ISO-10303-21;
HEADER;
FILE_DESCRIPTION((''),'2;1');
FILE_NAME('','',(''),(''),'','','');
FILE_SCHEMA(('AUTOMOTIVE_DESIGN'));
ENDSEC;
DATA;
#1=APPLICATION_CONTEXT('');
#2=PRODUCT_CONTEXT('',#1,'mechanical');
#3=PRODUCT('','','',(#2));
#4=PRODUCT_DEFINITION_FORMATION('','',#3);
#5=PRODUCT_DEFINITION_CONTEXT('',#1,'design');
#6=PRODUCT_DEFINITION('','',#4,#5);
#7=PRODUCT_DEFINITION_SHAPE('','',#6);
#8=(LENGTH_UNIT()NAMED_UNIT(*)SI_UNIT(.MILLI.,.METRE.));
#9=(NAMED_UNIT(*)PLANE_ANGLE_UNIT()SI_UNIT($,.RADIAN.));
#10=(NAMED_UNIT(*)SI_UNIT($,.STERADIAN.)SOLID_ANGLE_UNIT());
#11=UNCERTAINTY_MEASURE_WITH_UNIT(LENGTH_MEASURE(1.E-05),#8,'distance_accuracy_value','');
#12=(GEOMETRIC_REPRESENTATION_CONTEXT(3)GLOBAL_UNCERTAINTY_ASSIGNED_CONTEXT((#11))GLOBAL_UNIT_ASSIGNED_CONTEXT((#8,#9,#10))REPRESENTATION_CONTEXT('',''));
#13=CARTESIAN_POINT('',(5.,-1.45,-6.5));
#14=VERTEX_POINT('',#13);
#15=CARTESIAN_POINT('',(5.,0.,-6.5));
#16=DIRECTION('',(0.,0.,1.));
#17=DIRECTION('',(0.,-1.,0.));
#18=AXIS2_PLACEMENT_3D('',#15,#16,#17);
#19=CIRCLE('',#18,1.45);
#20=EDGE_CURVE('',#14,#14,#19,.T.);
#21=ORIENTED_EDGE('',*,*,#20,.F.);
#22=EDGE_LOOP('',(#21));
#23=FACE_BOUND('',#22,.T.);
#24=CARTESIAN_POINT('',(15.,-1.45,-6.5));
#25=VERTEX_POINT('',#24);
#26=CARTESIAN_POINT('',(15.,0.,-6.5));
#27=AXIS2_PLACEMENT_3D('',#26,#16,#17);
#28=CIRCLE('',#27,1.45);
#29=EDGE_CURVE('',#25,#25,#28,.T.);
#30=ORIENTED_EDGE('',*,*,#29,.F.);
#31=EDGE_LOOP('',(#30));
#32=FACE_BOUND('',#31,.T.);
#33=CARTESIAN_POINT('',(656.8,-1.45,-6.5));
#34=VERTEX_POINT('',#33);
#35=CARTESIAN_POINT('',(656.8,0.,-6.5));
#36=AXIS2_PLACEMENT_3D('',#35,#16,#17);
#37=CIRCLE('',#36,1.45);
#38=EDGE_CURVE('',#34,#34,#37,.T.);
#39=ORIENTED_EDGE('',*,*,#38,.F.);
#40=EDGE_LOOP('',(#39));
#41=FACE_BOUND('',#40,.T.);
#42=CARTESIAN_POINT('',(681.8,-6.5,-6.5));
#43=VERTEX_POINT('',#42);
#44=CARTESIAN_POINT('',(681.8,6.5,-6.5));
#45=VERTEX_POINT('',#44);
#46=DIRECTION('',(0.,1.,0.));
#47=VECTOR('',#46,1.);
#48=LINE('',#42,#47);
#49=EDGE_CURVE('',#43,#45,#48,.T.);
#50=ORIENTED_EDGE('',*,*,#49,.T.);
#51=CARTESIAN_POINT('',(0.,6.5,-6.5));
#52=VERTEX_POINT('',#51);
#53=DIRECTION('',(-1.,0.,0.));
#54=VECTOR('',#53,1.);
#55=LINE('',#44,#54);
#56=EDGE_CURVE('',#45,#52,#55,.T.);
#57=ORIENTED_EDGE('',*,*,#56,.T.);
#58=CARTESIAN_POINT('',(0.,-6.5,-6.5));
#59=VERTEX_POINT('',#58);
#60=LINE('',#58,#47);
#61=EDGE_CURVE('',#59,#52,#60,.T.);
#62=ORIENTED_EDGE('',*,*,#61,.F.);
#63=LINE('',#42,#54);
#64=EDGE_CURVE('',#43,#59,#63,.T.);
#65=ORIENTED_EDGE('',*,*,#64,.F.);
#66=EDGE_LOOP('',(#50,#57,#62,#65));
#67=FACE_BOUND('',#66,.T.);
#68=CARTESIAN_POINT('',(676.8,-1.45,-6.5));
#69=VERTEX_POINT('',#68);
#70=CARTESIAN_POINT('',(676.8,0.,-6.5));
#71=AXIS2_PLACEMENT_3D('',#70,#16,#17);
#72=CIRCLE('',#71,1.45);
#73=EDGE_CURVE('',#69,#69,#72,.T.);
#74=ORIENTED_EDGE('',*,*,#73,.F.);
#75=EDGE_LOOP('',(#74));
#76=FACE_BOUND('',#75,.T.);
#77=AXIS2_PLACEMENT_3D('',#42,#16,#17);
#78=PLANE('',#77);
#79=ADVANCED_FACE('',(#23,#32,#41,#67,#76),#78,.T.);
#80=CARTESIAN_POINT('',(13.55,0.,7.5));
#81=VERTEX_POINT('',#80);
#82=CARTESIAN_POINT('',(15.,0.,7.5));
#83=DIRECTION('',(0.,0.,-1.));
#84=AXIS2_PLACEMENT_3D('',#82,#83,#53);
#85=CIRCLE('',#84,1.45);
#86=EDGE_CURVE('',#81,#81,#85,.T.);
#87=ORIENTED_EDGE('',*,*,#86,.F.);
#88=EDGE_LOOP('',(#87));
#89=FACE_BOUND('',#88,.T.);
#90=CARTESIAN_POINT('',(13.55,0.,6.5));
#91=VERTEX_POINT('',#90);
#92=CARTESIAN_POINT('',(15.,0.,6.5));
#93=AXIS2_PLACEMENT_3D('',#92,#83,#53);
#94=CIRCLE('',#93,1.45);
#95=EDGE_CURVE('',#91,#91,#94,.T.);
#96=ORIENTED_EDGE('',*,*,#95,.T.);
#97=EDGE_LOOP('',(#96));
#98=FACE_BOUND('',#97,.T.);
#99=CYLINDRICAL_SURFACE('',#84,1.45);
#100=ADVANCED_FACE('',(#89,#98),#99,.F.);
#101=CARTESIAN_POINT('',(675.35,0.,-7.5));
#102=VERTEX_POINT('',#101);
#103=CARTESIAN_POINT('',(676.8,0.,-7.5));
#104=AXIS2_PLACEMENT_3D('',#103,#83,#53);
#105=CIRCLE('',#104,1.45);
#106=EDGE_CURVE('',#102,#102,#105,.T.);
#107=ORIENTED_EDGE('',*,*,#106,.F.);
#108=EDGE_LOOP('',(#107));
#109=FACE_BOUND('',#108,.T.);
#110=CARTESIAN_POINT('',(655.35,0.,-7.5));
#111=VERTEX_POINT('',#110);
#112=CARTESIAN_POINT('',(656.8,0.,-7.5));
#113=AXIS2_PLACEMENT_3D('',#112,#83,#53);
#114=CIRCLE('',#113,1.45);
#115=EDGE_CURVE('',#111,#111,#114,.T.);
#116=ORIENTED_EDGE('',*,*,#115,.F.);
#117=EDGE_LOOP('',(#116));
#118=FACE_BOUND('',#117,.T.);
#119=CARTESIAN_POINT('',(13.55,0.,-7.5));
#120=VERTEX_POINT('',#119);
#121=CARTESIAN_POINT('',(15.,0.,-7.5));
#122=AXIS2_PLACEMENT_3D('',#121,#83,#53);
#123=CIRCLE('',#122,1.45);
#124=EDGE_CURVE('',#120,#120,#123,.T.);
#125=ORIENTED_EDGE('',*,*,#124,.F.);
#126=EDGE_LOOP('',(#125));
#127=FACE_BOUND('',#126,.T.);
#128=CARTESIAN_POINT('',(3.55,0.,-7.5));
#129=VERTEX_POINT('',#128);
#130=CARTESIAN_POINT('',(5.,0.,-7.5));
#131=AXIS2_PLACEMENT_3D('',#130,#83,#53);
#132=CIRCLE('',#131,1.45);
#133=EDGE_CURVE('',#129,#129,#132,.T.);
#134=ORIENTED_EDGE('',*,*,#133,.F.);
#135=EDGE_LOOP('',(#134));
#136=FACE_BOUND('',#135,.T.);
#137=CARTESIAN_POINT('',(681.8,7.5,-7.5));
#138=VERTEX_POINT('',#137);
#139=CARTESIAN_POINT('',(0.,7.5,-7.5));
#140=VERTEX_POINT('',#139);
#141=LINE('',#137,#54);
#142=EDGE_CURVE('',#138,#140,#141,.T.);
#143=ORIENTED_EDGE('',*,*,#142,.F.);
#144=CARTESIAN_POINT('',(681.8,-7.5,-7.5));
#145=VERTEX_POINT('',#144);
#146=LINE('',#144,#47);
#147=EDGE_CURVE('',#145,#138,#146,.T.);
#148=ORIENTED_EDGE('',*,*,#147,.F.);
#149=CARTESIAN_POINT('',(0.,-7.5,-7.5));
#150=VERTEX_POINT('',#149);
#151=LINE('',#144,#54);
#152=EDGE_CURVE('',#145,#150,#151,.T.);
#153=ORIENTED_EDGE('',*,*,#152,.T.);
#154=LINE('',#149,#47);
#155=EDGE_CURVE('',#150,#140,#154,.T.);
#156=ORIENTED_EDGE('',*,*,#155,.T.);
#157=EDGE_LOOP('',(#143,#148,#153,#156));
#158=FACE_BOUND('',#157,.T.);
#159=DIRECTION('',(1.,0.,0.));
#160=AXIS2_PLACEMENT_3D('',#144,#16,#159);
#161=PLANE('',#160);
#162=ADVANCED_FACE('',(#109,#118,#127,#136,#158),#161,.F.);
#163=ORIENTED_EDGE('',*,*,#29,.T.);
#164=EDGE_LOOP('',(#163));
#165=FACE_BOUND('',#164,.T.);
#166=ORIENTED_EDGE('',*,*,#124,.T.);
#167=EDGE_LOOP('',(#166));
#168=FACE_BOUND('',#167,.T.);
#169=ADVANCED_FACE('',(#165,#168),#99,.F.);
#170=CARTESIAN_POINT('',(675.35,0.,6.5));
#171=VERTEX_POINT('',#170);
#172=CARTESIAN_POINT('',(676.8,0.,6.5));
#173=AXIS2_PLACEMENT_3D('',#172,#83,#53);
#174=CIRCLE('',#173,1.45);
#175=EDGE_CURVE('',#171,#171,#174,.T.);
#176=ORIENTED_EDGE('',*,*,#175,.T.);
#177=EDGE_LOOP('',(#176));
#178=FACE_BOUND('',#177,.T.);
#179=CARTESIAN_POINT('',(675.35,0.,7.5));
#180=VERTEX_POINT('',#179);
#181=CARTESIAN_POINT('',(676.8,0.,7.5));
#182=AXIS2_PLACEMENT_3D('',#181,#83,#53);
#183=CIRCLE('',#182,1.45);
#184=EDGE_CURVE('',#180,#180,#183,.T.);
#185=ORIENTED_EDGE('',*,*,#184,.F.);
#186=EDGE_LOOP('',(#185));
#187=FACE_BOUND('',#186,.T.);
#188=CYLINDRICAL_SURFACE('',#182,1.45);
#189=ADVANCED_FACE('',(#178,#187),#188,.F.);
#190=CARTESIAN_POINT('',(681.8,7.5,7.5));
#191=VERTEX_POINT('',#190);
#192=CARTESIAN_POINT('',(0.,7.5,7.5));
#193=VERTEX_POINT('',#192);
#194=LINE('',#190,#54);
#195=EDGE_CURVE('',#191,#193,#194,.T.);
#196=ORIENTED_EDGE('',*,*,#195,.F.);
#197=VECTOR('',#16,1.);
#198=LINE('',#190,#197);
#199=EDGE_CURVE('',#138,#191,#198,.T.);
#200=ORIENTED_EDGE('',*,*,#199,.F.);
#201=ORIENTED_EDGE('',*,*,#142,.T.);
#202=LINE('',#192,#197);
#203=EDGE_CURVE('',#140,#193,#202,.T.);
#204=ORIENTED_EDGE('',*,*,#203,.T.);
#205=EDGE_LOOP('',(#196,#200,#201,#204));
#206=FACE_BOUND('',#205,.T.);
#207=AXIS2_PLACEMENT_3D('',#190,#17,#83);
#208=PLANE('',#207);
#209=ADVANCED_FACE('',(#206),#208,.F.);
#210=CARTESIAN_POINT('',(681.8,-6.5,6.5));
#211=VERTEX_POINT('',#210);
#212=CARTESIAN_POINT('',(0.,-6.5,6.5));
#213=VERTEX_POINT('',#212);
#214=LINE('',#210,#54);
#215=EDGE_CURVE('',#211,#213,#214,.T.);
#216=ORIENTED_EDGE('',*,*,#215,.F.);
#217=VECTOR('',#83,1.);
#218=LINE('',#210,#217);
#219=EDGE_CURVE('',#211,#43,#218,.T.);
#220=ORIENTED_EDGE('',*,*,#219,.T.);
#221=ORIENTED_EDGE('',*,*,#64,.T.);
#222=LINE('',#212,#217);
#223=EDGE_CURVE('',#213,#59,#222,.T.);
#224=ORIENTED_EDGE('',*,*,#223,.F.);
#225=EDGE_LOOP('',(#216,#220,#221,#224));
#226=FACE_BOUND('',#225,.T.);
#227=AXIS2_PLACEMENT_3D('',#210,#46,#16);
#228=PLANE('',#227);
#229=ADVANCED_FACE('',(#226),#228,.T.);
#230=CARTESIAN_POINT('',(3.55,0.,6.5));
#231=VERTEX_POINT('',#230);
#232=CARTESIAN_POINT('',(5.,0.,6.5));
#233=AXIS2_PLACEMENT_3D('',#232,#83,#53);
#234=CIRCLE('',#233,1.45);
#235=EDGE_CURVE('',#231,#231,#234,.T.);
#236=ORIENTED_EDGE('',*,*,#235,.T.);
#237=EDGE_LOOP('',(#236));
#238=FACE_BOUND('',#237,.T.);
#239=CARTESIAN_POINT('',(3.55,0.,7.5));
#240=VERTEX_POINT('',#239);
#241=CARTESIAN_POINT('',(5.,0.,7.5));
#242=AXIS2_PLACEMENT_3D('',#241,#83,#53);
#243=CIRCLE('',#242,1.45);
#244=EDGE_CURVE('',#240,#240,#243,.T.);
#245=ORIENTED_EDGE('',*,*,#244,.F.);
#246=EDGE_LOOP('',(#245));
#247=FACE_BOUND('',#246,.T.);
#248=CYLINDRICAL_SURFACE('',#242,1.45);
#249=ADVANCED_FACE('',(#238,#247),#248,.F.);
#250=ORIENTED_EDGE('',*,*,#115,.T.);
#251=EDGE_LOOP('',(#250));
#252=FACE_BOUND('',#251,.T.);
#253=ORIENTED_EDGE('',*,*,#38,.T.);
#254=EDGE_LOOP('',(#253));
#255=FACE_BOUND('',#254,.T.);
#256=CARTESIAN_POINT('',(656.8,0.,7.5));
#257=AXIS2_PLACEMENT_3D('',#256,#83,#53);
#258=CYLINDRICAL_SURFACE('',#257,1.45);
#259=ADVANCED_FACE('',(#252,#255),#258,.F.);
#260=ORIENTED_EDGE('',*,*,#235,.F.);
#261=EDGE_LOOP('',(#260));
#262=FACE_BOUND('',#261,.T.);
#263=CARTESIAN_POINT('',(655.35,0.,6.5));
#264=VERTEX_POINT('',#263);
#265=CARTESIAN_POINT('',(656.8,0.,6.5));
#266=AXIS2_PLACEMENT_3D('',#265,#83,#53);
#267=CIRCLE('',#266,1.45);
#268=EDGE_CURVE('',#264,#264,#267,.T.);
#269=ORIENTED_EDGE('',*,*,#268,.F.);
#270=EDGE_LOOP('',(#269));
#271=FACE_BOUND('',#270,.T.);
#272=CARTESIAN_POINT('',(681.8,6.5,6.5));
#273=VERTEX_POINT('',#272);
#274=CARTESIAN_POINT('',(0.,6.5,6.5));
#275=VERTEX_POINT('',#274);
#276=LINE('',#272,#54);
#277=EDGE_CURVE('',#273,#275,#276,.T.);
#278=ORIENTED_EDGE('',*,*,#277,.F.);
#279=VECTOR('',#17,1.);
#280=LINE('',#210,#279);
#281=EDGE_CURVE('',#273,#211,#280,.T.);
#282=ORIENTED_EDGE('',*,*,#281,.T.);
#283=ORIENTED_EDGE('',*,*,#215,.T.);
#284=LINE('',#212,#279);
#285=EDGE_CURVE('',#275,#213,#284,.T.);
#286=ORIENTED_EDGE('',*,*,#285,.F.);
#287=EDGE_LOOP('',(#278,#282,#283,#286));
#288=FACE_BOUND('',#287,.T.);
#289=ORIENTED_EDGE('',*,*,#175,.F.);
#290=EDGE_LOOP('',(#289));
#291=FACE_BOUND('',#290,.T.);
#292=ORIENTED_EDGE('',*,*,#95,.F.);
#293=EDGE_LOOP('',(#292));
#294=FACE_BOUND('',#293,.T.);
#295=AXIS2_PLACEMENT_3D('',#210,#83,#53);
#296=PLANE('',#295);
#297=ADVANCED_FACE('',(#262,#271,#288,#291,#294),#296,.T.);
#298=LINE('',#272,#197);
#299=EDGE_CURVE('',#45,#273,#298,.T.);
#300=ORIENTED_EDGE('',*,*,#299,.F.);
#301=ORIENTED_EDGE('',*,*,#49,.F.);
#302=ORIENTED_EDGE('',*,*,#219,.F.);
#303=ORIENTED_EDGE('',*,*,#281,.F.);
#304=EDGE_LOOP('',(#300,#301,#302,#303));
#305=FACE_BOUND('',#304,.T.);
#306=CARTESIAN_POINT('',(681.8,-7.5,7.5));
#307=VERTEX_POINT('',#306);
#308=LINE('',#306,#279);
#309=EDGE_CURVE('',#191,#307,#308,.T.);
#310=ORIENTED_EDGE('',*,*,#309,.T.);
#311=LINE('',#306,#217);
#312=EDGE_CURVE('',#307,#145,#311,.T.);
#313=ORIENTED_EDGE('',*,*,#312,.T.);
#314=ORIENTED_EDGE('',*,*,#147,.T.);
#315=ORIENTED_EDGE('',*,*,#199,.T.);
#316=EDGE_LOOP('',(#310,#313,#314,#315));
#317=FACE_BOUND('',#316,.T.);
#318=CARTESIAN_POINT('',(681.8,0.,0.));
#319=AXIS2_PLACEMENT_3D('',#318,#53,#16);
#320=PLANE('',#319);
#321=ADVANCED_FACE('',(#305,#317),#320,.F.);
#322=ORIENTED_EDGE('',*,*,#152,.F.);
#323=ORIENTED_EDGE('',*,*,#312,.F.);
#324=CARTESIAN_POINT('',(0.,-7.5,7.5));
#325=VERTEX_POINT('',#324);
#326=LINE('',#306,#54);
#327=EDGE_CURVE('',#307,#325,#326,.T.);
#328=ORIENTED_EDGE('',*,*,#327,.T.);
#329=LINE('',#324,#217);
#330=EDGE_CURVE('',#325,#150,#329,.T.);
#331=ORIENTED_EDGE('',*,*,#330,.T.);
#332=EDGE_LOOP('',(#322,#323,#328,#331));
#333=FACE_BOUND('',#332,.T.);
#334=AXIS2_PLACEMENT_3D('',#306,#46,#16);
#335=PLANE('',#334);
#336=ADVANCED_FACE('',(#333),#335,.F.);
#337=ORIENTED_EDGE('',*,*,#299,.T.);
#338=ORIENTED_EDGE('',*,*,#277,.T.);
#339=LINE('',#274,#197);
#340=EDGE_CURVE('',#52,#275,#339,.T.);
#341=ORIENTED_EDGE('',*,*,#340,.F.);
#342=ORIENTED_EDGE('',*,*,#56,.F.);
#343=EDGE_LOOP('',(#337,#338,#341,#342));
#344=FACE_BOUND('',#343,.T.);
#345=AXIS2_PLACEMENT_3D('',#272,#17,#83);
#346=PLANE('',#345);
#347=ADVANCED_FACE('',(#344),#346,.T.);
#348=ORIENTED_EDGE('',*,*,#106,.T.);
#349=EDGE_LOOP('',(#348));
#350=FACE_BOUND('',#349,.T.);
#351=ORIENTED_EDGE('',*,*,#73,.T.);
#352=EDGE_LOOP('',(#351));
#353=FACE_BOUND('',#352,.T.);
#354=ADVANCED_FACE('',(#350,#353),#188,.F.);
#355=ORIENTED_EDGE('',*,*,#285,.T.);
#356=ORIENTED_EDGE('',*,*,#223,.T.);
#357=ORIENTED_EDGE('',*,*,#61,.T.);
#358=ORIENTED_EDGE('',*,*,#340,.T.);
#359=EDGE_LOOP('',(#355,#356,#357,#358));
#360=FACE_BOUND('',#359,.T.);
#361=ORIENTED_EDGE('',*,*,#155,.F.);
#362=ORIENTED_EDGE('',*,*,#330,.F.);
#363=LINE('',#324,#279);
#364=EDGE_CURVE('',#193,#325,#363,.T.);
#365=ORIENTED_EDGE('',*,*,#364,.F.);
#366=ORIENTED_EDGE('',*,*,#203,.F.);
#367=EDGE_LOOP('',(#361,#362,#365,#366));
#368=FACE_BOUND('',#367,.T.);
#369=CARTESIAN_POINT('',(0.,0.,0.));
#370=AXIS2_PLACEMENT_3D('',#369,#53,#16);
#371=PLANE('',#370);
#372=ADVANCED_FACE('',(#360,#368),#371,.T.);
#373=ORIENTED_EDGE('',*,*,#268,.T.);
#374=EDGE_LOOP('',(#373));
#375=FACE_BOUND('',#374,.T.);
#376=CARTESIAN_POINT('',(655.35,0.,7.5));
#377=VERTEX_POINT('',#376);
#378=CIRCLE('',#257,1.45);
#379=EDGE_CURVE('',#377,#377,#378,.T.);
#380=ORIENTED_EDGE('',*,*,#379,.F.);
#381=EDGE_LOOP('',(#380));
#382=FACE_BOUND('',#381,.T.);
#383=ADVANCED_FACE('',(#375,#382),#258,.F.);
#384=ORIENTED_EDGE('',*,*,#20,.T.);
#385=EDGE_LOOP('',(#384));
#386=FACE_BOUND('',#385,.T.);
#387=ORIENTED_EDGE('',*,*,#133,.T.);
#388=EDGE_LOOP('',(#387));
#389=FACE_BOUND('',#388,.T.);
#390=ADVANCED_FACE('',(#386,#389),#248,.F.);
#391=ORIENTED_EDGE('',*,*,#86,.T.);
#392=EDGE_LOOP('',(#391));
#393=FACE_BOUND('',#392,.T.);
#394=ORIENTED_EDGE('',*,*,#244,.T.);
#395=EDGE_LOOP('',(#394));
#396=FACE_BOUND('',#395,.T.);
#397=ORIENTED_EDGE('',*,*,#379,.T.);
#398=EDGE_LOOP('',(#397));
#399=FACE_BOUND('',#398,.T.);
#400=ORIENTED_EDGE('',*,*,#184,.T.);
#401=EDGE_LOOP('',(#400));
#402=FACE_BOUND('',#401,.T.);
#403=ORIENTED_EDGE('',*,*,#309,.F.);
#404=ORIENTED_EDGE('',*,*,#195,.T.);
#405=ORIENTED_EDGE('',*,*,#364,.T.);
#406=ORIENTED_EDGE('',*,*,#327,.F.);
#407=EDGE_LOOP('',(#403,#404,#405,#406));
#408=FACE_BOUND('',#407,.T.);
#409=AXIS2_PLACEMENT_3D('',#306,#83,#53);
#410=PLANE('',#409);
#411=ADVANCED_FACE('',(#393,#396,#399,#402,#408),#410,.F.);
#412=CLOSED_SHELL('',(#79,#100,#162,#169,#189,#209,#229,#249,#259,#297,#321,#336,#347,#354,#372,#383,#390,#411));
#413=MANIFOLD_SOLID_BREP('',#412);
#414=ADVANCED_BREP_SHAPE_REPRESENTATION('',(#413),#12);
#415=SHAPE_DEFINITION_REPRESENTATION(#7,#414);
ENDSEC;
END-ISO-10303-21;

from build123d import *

# Parameters (mm, degrees)
SKETCH_1_W          = 15
SKETCH_1_H          = 15
SKETCH_1_W_2        = 13
SKETCH_1_H_2        = 13
EXTRUDE_1_DEPTH     = 681.8
SKETCH_2_R          = 1.45
CUT_EXTRUDE_1_DEPTH = 683.006224312


with BuildPart() as part:
    # 草图1 → 凸台-拉伸1 (new body)
    with BuildSketch(Plane(origin=(0, 0, 0), x_dir=(0, 0, -1), z_dir=(1, 0, 0))):
        Rectangle(SKETCH_1_W, SKETCH_1_H)
        Rectangle(SKETCH_1_W_2, SKETCH_1_H_2, mode=Mode.SUBTRACT)
    extrude(amount=EXTRUDE_1_DEPTH)

    # 草图2 → 切除-拉伸1 (cut, through all)
    with BuildSketch(Plane(origin=(0, 0, -7.5), x_dir=(-1, 0, 0), z_dir=(0, 0, -1))):
        with Locations((-5, 0)):
            Circle(SKETCH_2_R)
        with Locations((-15, 0)):
            Circle(SKETCH_2_R)
        with Locations((-656.800000002, 0)):
            Circle(SKETCH_2_R)
        with Locations((-676.800000002, 0)):
            Circle(SKETCH_2_R)
    extrude(amount=-CUT_EXTRUDE_1_DEPTH, mode=Mode.SUBTRACT)


solid = part.part
